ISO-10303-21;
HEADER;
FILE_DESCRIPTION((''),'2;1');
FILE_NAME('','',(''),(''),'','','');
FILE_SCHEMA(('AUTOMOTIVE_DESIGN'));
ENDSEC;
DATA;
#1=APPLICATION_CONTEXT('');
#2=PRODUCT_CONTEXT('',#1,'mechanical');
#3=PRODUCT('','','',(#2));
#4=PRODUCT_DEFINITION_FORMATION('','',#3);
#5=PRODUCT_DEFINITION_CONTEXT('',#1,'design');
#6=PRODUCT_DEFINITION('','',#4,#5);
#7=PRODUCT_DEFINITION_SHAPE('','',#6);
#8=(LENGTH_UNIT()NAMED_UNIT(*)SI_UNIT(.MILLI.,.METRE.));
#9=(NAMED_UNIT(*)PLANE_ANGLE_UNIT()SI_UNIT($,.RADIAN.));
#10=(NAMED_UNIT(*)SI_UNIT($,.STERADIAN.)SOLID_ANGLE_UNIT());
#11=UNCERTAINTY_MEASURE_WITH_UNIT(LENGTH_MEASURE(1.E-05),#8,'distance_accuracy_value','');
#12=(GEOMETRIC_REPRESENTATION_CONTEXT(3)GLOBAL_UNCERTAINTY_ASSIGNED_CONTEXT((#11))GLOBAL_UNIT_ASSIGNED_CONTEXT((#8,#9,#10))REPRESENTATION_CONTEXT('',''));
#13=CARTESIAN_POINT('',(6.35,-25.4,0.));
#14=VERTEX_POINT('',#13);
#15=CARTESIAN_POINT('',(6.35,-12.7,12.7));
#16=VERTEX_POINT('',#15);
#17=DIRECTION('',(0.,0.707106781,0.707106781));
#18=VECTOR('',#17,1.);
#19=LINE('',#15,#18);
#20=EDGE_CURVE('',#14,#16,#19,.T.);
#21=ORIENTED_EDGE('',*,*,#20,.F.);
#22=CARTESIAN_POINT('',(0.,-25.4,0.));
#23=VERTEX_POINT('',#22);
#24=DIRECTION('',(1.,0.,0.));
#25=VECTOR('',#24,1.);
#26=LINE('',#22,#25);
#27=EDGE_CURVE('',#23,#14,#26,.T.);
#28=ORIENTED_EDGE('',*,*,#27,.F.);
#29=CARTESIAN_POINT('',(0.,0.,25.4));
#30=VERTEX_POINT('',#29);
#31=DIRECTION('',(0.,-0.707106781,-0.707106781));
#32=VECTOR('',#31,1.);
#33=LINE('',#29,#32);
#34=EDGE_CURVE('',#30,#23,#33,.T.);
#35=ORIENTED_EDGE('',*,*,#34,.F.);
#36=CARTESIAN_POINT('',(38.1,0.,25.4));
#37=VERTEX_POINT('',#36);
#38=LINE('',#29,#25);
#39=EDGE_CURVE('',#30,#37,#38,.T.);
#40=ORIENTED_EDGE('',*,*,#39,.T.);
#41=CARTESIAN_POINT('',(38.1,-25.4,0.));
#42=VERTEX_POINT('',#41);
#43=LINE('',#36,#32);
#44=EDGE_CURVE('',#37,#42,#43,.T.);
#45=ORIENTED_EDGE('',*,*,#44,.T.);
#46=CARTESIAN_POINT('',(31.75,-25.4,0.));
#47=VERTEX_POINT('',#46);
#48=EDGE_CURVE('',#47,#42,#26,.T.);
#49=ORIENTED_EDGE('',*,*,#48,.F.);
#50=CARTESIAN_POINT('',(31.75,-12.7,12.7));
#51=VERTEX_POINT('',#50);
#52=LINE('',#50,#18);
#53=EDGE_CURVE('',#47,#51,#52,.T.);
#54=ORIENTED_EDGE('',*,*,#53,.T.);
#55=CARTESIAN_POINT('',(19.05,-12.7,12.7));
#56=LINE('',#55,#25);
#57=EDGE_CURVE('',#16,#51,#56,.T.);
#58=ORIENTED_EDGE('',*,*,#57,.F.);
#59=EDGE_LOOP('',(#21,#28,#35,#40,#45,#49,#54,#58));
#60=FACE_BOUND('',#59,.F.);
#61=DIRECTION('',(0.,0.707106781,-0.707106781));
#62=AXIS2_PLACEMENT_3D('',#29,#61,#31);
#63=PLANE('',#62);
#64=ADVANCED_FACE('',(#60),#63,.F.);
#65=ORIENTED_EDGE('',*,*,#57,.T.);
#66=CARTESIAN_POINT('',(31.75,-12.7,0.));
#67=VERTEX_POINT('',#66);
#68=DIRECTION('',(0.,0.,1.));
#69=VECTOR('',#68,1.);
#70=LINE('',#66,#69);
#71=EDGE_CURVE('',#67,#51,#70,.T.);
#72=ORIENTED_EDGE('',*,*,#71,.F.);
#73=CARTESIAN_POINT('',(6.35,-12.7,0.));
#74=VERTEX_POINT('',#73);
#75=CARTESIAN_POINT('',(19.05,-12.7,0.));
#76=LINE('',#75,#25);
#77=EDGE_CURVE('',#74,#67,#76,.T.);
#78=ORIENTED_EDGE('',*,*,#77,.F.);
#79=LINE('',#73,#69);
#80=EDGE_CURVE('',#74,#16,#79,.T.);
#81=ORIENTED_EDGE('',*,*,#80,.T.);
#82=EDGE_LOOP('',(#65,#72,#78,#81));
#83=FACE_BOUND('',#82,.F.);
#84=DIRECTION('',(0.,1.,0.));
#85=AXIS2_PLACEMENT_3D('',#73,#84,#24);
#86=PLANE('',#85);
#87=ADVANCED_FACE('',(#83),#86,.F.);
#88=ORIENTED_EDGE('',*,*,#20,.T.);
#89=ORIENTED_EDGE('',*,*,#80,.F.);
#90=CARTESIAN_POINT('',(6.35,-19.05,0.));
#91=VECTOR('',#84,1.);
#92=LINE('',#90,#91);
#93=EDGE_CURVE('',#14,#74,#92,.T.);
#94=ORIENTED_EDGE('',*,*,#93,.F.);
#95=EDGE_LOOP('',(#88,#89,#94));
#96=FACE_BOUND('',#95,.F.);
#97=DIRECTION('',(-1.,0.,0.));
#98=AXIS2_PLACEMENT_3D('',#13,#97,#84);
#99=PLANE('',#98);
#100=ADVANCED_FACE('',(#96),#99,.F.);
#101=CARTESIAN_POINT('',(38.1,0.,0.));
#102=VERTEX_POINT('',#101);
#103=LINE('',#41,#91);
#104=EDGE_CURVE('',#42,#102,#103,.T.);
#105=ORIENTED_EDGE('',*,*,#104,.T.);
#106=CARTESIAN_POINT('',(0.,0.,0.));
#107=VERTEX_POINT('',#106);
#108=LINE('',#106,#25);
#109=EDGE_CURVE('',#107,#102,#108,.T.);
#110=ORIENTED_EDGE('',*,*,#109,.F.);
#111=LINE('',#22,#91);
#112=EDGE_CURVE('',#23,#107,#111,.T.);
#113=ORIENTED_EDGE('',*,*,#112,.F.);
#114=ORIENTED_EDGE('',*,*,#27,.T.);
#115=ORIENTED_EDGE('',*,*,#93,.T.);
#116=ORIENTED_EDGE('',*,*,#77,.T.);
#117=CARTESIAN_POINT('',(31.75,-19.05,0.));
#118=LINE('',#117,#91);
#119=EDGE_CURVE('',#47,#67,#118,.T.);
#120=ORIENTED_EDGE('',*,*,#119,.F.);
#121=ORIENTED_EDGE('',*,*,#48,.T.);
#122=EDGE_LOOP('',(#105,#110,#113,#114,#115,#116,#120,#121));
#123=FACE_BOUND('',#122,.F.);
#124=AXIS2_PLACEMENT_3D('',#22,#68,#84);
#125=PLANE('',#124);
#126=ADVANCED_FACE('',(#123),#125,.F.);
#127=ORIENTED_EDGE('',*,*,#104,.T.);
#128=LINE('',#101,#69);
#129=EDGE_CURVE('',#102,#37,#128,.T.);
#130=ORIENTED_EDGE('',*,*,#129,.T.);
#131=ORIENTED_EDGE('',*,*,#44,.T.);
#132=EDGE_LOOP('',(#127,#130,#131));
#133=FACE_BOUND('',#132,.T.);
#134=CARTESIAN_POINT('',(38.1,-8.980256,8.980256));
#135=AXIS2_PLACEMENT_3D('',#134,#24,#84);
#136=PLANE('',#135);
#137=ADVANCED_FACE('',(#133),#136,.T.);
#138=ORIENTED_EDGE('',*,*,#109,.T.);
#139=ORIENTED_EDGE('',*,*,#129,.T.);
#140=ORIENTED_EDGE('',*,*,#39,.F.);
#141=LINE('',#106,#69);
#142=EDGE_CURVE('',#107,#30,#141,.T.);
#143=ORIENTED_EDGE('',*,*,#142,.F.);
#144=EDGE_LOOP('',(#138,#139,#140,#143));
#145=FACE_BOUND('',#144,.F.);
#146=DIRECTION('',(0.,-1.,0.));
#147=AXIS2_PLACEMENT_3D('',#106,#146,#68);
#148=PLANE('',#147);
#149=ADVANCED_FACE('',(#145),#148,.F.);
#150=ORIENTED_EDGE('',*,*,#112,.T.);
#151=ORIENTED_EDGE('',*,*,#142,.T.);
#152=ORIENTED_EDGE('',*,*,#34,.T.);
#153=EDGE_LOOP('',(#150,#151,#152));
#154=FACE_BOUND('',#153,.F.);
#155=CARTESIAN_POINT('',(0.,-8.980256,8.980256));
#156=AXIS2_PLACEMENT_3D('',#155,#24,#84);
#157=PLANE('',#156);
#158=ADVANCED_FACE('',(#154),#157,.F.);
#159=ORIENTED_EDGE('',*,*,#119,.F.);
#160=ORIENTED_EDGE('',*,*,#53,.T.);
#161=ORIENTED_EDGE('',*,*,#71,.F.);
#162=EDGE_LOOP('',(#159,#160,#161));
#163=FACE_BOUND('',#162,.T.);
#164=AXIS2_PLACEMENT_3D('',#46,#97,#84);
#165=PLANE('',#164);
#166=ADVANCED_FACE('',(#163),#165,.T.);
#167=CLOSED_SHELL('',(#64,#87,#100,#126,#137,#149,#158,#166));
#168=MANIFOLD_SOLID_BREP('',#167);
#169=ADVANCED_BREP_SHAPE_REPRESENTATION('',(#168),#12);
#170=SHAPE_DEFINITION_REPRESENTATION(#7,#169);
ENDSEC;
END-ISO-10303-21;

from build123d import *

# Parameters (mm, degrees)
F1_DEPTH = 38.1
F2_W     = 25.4
F2_H     = 12.7
F3_DEPTH = 12.7


with BuildPart() as f1:
    # F0 (on Right) → F1 (new body)
    with BuildSketch(Plane.YZ):
        Polygon((-25.4, 0), (0, 0), (0, 25.4), align=None)
    extrude(amount=F1_DEPTH)

    # F2 (on Top) → F3 (cut)
    with BuildSketch(Plane.XY):
        with Locations((19.05, -19.05)):
            Rectangle(F2_W, F2_H)
    extrude(amount=F3_DEPTH, mode=Mode.SUBTRACT)


solid = f1.part
